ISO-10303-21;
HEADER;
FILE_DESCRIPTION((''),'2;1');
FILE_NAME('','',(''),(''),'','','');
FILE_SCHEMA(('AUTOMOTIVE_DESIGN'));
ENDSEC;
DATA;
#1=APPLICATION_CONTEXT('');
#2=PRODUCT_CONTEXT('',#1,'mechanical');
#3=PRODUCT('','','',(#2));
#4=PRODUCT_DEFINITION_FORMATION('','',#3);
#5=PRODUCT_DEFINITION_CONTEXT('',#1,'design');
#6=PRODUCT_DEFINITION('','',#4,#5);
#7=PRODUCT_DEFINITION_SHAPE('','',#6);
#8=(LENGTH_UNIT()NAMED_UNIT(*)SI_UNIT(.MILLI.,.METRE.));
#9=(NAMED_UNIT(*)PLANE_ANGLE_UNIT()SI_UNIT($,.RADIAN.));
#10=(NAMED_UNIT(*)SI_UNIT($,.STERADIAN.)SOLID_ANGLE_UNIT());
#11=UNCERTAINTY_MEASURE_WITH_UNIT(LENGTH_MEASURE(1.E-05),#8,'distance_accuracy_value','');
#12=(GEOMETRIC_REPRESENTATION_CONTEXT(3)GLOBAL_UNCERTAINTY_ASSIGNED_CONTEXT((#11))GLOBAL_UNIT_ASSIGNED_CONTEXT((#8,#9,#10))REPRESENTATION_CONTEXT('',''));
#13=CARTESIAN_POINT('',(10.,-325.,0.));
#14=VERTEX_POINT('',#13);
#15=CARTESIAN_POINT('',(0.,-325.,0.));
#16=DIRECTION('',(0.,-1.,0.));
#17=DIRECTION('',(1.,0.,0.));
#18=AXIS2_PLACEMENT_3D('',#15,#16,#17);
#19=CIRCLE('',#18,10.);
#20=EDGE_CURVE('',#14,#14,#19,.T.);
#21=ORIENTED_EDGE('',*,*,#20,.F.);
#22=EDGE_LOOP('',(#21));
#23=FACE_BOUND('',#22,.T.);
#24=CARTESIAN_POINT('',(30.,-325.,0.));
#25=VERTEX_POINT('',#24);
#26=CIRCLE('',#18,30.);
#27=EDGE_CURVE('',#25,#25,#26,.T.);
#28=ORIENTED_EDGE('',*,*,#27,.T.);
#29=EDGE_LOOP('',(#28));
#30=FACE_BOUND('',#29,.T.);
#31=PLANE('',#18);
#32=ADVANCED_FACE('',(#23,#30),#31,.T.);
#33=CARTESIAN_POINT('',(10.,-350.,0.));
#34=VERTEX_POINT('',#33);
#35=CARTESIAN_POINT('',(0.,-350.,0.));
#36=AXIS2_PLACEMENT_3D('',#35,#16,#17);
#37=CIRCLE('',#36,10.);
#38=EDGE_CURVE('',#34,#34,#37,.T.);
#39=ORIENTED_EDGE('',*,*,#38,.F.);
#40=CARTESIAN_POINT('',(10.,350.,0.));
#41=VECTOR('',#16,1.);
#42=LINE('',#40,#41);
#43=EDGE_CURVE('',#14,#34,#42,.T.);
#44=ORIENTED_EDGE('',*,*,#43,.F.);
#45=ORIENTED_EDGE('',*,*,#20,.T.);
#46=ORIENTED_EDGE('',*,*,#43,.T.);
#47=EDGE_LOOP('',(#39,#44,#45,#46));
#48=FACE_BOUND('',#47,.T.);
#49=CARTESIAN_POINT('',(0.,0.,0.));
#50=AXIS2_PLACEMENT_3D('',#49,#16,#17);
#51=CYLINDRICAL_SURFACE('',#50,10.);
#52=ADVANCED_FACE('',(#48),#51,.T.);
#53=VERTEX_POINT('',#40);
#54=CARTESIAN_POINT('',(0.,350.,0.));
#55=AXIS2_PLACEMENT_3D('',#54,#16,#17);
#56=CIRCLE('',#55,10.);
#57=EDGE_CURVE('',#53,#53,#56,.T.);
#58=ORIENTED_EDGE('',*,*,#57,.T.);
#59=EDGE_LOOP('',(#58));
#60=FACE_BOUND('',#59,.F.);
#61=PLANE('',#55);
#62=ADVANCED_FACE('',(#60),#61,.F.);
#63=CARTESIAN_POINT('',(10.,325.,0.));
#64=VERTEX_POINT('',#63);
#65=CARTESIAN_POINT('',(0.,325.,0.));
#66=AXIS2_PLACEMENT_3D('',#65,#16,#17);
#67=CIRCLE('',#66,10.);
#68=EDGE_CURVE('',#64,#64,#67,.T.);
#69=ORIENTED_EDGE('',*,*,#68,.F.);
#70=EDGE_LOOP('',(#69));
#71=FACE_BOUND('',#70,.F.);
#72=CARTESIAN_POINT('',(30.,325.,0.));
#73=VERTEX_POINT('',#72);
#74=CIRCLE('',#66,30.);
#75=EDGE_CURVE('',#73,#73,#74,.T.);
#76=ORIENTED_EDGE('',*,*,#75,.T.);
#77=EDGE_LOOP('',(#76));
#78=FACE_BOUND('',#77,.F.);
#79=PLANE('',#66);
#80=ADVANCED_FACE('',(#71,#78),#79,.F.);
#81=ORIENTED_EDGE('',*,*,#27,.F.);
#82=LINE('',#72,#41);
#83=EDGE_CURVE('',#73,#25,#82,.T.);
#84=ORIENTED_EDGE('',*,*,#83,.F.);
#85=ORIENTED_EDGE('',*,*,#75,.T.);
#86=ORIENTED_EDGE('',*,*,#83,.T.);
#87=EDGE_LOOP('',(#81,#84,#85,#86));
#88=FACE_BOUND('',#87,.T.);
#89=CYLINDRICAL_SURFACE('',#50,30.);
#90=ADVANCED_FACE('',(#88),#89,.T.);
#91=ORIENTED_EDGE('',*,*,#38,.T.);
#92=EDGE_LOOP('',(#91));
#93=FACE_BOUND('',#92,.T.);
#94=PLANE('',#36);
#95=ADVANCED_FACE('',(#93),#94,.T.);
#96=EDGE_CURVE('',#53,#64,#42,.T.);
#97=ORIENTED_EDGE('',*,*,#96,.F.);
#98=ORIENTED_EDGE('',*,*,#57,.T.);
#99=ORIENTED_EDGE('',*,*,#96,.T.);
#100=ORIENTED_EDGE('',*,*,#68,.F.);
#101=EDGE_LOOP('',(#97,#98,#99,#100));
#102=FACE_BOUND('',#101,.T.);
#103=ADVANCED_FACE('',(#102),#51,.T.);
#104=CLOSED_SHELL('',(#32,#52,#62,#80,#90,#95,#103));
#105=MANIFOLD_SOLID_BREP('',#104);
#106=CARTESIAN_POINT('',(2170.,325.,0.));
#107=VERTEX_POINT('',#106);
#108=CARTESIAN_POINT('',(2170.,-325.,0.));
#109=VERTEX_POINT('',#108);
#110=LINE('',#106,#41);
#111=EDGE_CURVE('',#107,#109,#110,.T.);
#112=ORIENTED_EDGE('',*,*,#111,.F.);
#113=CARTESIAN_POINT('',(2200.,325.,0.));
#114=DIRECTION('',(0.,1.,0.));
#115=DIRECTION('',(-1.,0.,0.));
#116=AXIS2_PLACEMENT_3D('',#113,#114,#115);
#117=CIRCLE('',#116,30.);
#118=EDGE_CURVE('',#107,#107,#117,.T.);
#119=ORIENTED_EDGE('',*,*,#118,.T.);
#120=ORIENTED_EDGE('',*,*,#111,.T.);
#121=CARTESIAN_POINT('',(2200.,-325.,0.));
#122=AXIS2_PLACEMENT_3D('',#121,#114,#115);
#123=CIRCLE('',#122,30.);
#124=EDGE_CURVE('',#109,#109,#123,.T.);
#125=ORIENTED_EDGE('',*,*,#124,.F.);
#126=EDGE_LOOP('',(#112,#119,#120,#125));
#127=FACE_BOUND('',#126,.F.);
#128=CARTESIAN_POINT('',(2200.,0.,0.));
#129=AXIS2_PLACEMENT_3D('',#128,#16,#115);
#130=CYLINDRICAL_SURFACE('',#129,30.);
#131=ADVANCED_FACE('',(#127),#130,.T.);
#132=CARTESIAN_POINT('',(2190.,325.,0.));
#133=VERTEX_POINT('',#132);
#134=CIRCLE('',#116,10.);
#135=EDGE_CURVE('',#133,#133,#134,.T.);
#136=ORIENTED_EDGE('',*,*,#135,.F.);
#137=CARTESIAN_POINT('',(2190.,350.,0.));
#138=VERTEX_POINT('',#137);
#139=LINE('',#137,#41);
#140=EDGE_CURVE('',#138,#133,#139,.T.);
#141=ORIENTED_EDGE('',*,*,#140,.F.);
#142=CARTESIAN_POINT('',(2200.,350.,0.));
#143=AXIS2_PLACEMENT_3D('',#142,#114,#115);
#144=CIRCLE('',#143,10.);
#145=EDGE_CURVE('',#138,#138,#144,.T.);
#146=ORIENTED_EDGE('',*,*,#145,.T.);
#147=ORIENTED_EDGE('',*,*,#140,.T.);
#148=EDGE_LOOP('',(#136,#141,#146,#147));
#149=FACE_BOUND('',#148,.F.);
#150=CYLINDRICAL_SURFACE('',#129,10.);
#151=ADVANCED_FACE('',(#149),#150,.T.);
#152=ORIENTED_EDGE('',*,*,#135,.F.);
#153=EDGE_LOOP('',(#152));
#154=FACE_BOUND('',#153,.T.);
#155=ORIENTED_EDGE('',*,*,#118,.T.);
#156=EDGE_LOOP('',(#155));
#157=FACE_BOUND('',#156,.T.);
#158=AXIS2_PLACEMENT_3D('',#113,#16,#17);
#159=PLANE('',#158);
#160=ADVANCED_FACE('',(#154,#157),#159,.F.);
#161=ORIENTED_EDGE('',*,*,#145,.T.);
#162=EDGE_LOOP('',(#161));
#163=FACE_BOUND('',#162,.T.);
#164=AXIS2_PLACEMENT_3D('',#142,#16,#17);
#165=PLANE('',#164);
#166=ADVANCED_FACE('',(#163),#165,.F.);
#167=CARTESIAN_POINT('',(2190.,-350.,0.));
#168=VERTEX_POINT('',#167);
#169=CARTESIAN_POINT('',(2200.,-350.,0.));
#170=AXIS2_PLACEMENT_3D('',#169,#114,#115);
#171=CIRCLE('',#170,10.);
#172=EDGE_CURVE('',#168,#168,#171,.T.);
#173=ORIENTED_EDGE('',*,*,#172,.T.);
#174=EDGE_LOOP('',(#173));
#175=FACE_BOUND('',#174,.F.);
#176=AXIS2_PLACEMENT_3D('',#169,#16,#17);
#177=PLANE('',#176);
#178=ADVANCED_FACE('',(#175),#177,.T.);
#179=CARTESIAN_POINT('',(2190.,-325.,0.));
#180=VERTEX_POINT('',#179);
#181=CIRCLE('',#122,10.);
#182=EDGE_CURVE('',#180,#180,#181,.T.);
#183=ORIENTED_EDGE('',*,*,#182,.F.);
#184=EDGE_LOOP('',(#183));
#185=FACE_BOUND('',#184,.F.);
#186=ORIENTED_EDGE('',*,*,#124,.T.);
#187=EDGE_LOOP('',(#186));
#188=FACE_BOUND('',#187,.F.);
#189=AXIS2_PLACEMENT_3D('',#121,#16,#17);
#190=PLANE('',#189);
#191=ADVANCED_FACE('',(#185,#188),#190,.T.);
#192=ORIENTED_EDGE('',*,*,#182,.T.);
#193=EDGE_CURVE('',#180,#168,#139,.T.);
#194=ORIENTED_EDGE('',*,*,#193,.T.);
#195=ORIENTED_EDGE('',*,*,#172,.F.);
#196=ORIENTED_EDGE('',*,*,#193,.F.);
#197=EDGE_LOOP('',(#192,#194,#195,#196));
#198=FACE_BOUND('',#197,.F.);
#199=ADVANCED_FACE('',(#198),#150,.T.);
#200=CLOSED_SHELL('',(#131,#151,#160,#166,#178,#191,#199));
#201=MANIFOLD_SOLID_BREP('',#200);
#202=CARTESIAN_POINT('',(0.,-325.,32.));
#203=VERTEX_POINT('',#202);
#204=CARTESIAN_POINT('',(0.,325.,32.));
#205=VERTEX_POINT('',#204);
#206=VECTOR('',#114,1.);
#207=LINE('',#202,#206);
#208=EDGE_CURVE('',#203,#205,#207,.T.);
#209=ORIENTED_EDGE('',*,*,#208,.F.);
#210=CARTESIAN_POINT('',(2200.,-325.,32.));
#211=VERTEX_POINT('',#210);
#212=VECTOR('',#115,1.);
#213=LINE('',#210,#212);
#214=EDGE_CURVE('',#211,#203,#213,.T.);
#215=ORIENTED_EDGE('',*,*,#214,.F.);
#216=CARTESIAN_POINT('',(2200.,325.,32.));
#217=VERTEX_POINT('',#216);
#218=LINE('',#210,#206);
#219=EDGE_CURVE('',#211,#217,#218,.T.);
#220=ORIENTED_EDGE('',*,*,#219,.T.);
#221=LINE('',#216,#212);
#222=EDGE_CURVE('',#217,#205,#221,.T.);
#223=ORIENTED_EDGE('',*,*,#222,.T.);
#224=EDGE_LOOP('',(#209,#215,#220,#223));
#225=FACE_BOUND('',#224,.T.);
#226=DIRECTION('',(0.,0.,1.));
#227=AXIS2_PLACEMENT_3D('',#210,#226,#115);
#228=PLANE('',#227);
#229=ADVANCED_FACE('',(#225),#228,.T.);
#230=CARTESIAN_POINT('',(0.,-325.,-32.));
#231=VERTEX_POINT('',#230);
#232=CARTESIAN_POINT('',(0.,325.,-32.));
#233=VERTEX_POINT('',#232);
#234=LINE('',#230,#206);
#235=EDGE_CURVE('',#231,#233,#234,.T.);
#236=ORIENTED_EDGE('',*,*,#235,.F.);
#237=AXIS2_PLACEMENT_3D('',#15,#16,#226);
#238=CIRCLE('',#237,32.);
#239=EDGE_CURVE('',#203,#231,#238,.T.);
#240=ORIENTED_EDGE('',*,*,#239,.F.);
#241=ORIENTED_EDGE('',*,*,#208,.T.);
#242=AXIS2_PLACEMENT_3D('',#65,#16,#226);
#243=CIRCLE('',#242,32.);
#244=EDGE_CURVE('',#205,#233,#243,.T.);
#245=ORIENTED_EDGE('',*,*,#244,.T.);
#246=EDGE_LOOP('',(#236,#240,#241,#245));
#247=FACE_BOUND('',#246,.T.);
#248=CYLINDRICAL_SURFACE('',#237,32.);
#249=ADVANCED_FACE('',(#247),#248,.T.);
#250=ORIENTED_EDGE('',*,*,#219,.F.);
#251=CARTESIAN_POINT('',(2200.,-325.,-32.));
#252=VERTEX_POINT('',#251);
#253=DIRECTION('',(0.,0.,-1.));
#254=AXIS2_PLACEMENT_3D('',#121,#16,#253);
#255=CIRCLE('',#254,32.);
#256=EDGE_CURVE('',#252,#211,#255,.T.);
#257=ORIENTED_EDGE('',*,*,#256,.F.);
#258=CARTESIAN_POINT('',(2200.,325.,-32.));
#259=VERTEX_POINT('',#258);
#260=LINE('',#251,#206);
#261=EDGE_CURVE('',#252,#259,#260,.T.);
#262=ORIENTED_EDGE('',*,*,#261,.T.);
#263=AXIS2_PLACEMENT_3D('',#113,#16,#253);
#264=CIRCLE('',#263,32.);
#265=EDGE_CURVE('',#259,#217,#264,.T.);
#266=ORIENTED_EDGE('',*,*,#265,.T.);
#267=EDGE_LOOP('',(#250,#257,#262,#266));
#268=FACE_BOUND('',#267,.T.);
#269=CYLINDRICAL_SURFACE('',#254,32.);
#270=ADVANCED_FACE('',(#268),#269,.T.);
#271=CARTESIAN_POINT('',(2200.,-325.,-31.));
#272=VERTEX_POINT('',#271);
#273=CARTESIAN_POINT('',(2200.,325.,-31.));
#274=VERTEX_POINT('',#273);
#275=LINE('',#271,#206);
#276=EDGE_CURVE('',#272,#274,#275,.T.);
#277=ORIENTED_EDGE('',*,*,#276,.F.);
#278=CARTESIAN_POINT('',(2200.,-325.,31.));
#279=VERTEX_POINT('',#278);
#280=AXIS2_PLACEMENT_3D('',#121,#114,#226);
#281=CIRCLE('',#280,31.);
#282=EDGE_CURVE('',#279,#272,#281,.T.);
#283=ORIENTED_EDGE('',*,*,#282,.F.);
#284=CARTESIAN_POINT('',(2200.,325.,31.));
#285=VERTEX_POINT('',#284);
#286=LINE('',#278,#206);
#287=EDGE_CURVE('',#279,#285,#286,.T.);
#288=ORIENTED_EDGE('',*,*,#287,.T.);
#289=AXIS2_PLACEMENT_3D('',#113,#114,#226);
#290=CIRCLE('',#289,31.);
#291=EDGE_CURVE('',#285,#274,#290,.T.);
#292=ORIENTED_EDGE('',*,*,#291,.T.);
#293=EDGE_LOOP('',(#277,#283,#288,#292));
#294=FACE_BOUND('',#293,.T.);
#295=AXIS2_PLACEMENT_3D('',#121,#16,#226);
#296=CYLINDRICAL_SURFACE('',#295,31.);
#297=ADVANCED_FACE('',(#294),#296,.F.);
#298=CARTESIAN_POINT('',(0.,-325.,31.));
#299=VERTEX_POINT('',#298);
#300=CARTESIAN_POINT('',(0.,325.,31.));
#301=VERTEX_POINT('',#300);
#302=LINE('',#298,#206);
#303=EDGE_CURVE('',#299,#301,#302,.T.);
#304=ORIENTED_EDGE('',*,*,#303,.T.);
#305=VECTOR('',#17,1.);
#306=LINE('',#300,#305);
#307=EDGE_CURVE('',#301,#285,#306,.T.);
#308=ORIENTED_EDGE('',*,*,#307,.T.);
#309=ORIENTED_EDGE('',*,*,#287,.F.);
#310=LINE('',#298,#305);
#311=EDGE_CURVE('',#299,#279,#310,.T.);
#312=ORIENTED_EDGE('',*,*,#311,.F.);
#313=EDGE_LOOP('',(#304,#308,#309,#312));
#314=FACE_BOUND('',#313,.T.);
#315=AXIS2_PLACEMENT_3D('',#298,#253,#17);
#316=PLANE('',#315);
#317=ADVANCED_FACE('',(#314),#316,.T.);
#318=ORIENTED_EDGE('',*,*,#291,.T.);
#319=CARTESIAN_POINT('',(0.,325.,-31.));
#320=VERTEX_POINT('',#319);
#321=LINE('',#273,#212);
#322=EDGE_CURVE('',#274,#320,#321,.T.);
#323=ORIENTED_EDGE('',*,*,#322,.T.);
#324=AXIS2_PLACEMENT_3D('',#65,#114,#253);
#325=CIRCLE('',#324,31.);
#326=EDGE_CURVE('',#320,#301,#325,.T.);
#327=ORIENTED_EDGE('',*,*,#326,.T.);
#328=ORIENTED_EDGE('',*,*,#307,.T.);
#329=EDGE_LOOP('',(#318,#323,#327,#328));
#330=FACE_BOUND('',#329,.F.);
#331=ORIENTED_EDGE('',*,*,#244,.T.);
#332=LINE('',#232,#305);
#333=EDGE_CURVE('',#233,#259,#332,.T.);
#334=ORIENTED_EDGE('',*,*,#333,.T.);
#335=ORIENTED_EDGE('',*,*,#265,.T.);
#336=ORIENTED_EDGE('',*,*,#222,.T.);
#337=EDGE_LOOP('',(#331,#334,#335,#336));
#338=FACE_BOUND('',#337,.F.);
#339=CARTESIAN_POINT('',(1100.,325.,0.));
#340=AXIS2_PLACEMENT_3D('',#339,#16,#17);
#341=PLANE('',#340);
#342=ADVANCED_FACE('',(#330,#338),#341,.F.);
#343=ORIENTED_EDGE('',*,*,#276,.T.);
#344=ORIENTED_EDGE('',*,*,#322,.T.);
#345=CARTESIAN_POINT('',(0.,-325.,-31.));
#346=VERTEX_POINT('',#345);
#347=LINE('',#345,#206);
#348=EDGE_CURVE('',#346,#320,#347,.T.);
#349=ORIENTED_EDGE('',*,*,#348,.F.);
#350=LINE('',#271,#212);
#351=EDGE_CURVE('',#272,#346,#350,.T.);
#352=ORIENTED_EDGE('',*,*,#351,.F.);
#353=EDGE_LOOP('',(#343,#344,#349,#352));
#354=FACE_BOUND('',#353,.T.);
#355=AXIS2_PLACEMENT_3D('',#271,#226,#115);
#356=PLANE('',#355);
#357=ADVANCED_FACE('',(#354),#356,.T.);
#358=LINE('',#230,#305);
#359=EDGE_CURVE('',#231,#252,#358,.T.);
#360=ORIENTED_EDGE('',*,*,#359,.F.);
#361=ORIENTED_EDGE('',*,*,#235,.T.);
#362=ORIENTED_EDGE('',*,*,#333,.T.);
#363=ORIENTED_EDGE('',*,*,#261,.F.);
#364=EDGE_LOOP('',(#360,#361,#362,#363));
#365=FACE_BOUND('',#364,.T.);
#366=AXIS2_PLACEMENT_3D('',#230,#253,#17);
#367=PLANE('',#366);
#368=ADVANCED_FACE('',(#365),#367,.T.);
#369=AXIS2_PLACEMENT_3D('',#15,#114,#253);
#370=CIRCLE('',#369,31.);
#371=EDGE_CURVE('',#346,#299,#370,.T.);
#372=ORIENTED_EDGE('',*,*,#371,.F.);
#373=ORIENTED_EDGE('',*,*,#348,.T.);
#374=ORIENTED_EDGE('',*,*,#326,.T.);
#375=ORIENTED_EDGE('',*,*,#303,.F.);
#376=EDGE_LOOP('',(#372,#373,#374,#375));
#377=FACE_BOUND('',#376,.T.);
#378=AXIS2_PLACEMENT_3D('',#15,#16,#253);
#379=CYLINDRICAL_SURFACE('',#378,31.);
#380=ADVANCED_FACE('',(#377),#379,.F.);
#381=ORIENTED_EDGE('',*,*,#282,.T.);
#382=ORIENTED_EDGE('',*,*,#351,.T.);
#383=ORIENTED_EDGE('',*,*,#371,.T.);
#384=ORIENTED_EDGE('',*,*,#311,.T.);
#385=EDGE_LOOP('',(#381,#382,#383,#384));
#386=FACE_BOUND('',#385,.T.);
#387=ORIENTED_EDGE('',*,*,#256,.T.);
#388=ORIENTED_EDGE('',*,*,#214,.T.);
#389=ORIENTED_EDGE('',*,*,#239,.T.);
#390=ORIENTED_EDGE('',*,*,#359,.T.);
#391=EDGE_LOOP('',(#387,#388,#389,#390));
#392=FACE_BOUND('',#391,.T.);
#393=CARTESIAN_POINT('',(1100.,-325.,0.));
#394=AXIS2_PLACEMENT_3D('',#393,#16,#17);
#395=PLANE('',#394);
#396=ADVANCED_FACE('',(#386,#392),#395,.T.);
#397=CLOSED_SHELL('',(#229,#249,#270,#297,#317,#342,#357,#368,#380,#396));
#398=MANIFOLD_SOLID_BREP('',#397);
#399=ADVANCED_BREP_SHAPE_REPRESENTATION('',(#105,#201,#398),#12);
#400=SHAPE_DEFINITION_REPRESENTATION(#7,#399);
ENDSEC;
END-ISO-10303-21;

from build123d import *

# Parameters (mm, degrees)
F0_R     = 10
F1_DEPTH = 350
F3_R     = 30
F4_DEPTH = 325
F8_DEPTH = 650


with BuildPart() as f1:
    # F0 (on Front) → F1 (new body, symmetric)
    with BuildSketch(Plane.XZ):
        Circle(F0_R)
    extrude(amount=F1_DEPTH, both=True)

    # F3 (on offset) → F4 (join, symmetric)
    with BuildSketch(Plane.XZ):
        Circle(F3_R)
    extrude(amount=F4_DEPTH, both=True)


with BuildPart() as f6_1:
    # F6: instance of F1
    add(f1.part.mirror(Plane.YZ.offset(1100)))


with BuildPart() as f8:
    # F7 (on face) → F8 (new body, through all)
    with BuildSketch(Plane.XZ.offset(325)):
        with BuildLine():
            Line((2200, 32), (0, 32))
            ThreePointArc((0, 32), (-32, 0), (0, -32))
            Line((0, -32), (2200, -32))
            ThreePointArc((2200, -32), (2232, 0), (2200, 32))
        make_face()
        with BuildLine():
            ThreePointArc((0, -31), (-31, 0), (0, 31))
            Line((0, 31), (2200, 31))
            ThreePointArc((2200, 31), (2231, 0), (2200, -31))
            Line((2200, -31), (0, -31))
        make_face(mode=Mode.SUBTRACT)
    extrude(amount=-F8_DEPTH)


solid = Compound([f1.part, f6_1.part, f8.part])
